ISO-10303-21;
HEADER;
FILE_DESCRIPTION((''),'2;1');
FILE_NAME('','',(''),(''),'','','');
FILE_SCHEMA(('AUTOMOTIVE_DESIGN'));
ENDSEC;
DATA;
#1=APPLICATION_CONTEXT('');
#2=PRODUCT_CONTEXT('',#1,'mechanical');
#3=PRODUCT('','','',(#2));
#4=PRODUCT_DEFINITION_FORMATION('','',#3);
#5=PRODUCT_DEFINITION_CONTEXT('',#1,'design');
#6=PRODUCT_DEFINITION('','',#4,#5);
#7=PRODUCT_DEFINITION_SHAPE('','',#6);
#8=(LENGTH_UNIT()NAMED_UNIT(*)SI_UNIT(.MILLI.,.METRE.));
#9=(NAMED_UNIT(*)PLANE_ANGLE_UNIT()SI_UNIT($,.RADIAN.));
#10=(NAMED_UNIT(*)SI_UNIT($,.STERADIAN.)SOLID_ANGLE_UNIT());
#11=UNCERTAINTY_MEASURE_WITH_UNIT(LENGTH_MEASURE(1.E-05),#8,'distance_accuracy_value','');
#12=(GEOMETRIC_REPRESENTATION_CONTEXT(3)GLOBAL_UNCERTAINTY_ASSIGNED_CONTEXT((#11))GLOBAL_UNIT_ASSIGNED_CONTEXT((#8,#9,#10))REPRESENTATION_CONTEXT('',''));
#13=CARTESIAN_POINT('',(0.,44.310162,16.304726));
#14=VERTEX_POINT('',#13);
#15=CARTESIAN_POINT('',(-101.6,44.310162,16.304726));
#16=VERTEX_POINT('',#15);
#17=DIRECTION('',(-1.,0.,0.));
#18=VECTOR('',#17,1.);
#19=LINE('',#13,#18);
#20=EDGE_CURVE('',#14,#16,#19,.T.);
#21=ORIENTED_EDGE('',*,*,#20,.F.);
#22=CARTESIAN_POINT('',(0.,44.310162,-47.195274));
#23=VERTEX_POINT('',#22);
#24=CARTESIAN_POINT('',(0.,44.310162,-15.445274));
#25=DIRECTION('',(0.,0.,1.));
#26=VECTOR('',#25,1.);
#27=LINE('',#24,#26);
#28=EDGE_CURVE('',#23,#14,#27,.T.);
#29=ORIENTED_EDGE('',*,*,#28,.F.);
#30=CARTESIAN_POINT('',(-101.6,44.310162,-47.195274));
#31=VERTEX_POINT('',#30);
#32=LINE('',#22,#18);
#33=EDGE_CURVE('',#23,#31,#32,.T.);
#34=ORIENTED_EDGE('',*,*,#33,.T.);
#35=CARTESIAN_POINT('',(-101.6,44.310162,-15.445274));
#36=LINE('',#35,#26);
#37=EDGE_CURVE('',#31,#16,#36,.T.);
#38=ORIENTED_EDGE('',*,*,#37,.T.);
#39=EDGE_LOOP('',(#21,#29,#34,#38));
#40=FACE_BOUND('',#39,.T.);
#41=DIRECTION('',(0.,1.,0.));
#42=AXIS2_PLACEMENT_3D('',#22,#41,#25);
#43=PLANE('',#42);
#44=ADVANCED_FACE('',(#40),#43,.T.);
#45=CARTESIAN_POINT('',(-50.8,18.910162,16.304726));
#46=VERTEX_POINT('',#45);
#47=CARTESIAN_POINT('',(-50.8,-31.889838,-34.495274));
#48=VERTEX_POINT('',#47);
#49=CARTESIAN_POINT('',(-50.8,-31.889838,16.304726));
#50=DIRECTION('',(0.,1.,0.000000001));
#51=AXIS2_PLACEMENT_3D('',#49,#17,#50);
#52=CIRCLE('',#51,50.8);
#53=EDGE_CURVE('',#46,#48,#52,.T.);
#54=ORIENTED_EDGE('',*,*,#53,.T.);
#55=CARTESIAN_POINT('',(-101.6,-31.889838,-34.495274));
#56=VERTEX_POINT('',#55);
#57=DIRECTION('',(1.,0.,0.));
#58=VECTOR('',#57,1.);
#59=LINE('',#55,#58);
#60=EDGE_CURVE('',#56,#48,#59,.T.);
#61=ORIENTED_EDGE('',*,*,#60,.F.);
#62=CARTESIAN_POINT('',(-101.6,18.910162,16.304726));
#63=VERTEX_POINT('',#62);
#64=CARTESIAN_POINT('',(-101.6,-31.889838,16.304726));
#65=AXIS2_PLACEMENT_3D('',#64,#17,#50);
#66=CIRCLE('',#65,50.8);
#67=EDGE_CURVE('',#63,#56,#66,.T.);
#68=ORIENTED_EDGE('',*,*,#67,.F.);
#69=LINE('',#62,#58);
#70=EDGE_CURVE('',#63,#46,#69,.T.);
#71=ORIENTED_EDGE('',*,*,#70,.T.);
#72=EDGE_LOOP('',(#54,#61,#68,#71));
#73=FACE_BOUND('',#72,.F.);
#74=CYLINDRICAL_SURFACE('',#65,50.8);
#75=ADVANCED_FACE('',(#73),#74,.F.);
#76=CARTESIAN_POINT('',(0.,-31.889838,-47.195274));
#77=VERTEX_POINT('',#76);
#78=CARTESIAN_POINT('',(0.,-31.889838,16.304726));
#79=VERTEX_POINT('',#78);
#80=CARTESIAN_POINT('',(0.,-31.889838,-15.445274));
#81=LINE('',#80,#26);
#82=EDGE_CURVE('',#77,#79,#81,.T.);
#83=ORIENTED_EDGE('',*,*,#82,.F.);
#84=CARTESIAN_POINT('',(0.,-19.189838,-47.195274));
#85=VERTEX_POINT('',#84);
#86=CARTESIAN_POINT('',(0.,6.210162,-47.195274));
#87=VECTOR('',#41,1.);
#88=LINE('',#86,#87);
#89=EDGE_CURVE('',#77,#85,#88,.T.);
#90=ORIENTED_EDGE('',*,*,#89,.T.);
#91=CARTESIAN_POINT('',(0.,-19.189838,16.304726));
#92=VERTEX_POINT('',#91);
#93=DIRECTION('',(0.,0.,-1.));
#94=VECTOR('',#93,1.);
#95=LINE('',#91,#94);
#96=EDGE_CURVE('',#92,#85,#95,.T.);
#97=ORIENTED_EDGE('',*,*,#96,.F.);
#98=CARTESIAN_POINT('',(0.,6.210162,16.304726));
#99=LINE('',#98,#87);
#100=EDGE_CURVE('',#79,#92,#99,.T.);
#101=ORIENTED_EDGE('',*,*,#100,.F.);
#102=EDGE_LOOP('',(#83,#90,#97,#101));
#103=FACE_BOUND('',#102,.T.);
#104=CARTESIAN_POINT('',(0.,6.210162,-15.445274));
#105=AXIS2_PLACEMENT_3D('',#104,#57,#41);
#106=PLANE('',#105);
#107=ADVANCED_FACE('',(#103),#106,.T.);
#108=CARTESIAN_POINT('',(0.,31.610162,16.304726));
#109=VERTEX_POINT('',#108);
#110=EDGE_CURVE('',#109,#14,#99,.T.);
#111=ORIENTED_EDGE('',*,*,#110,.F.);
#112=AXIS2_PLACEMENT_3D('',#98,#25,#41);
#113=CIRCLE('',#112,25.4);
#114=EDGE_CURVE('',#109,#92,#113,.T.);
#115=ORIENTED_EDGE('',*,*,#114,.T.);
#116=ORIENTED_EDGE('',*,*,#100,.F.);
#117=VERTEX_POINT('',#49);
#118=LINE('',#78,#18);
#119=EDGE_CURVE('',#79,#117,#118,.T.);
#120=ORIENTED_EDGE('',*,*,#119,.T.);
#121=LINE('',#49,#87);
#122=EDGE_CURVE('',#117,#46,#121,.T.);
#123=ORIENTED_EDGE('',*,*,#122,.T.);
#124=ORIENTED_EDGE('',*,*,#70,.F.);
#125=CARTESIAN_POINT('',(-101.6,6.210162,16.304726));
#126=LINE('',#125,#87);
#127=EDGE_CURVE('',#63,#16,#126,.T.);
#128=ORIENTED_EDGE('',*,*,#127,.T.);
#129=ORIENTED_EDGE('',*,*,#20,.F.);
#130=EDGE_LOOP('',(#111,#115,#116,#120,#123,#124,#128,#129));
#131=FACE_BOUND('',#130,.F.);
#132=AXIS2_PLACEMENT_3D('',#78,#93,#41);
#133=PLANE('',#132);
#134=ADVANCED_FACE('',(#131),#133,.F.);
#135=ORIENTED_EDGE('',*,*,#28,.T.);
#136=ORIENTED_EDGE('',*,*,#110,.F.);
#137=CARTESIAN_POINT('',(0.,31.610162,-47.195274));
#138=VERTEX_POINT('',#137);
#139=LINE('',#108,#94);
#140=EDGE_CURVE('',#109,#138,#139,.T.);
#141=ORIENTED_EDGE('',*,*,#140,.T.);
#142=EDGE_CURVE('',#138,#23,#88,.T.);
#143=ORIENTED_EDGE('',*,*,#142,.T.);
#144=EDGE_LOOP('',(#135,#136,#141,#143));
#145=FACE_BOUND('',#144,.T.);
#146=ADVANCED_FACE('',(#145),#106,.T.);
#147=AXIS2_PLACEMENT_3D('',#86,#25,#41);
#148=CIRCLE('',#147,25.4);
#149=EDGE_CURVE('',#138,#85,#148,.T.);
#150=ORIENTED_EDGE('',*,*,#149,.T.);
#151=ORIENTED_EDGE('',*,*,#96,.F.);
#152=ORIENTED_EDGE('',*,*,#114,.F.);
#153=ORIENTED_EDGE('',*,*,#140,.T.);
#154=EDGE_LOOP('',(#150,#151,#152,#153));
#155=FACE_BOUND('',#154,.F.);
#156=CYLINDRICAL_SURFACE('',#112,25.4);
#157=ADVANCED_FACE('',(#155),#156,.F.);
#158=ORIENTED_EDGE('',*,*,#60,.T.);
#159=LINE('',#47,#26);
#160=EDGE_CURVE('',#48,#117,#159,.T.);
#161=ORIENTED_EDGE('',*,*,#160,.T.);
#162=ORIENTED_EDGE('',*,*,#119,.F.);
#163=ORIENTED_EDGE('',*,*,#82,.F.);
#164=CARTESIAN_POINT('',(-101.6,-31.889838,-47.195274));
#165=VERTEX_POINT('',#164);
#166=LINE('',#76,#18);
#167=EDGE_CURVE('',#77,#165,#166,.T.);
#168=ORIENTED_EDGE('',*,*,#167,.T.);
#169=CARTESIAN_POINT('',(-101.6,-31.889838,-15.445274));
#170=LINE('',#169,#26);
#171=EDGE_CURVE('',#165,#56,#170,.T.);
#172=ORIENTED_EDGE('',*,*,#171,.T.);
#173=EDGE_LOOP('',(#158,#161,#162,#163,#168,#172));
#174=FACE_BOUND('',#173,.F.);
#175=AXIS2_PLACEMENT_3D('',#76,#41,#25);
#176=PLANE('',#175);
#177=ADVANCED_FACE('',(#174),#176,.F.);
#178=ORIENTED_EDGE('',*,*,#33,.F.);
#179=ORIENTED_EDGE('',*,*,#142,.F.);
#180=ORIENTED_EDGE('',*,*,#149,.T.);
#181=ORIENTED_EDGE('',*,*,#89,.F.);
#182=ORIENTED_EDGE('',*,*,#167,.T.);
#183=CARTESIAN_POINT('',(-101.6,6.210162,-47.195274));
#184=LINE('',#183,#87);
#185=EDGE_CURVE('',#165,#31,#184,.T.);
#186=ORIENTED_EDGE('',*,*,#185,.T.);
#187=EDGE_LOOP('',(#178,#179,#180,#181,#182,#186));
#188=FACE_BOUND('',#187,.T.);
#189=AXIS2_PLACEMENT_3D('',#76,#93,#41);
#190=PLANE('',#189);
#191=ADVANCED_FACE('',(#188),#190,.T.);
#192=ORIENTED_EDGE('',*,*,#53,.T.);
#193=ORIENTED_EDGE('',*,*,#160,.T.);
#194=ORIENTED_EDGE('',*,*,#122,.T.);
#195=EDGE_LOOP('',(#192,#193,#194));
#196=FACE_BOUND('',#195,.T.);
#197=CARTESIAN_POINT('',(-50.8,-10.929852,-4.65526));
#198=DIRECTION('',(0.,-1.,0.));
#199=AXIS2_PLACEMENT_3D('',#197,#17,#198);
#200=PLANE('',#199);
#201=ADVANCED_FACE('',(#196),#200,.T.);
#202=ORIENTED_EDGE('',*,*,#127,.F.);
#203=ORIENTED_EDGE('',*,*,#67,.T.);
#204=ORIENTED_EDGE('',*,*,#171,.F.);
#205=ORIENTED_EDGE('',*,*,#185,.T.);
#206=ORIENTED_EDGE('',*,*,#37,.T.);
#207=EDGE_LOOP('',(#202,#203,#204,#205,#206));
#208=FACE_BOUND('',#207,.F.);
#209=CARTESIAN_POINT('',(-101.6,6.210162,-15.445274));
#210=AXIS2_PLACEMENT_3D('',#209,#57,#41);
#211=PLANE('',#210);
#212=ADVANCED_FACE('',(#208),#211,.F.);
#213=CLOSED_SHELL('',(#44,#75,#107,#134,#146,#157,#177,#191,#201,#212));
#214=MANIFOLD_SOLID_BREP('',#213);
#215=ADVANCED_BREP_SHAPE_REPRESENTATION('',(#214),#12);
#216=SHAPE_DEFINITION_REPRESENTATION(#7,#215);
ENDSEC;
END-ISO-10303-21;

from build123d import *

# Parameters (mm, degrees)
F0_W     = 76.2
F0_H     = 63.5
F1_DEPTH = 101.6
F3_DEPTH = 63.5
F5_DEPTH = 50.8


with BuildPart() as f1:
    # F0 (on Right) → F1 (new body)
    with BuildSketch(Plane.YZ):
        with Locations((6.210162, -15.445274)):
            Rectangle(F0_W, F0_H)
    extrude(amount=-F1_DEPTH)

    # F2 (on face) → F3 (cut)
    with BuildSketch(Plane.XY.offset(16.304726)):
        with BuildLine():
            Line((0, -19.189838), (0, 31.610162))
            ThreePointArc((0, 31.610162), (-25.4, 6.210162), (0, -19.189838))
        make_face()
    extrude(amount=-F3_DEPTH, mode=Mode.SUBTRACT)

    # F4 (on face) → F5 (cut)
    with BuildSketch(Plane(origin=(-101.6, 0, 0), x_dir=(0, -1, 0), z_dir=(-1, 0, 0))):
        with BuildLine():
            Line((31.889838, 16.304726), (-18.910162, 16.304726))
            ThreePointArc((-18.910162, 16.304726), (-4.031187, -19.616298), (31.889838, -34.495274))
            Line((31.889838, -34.495274), (31.889838, 16.304726))
        make_face()
    extrude(amount=-F5_DEPTH, mode=Mode.SUBTRACT)


solid = f1.part
